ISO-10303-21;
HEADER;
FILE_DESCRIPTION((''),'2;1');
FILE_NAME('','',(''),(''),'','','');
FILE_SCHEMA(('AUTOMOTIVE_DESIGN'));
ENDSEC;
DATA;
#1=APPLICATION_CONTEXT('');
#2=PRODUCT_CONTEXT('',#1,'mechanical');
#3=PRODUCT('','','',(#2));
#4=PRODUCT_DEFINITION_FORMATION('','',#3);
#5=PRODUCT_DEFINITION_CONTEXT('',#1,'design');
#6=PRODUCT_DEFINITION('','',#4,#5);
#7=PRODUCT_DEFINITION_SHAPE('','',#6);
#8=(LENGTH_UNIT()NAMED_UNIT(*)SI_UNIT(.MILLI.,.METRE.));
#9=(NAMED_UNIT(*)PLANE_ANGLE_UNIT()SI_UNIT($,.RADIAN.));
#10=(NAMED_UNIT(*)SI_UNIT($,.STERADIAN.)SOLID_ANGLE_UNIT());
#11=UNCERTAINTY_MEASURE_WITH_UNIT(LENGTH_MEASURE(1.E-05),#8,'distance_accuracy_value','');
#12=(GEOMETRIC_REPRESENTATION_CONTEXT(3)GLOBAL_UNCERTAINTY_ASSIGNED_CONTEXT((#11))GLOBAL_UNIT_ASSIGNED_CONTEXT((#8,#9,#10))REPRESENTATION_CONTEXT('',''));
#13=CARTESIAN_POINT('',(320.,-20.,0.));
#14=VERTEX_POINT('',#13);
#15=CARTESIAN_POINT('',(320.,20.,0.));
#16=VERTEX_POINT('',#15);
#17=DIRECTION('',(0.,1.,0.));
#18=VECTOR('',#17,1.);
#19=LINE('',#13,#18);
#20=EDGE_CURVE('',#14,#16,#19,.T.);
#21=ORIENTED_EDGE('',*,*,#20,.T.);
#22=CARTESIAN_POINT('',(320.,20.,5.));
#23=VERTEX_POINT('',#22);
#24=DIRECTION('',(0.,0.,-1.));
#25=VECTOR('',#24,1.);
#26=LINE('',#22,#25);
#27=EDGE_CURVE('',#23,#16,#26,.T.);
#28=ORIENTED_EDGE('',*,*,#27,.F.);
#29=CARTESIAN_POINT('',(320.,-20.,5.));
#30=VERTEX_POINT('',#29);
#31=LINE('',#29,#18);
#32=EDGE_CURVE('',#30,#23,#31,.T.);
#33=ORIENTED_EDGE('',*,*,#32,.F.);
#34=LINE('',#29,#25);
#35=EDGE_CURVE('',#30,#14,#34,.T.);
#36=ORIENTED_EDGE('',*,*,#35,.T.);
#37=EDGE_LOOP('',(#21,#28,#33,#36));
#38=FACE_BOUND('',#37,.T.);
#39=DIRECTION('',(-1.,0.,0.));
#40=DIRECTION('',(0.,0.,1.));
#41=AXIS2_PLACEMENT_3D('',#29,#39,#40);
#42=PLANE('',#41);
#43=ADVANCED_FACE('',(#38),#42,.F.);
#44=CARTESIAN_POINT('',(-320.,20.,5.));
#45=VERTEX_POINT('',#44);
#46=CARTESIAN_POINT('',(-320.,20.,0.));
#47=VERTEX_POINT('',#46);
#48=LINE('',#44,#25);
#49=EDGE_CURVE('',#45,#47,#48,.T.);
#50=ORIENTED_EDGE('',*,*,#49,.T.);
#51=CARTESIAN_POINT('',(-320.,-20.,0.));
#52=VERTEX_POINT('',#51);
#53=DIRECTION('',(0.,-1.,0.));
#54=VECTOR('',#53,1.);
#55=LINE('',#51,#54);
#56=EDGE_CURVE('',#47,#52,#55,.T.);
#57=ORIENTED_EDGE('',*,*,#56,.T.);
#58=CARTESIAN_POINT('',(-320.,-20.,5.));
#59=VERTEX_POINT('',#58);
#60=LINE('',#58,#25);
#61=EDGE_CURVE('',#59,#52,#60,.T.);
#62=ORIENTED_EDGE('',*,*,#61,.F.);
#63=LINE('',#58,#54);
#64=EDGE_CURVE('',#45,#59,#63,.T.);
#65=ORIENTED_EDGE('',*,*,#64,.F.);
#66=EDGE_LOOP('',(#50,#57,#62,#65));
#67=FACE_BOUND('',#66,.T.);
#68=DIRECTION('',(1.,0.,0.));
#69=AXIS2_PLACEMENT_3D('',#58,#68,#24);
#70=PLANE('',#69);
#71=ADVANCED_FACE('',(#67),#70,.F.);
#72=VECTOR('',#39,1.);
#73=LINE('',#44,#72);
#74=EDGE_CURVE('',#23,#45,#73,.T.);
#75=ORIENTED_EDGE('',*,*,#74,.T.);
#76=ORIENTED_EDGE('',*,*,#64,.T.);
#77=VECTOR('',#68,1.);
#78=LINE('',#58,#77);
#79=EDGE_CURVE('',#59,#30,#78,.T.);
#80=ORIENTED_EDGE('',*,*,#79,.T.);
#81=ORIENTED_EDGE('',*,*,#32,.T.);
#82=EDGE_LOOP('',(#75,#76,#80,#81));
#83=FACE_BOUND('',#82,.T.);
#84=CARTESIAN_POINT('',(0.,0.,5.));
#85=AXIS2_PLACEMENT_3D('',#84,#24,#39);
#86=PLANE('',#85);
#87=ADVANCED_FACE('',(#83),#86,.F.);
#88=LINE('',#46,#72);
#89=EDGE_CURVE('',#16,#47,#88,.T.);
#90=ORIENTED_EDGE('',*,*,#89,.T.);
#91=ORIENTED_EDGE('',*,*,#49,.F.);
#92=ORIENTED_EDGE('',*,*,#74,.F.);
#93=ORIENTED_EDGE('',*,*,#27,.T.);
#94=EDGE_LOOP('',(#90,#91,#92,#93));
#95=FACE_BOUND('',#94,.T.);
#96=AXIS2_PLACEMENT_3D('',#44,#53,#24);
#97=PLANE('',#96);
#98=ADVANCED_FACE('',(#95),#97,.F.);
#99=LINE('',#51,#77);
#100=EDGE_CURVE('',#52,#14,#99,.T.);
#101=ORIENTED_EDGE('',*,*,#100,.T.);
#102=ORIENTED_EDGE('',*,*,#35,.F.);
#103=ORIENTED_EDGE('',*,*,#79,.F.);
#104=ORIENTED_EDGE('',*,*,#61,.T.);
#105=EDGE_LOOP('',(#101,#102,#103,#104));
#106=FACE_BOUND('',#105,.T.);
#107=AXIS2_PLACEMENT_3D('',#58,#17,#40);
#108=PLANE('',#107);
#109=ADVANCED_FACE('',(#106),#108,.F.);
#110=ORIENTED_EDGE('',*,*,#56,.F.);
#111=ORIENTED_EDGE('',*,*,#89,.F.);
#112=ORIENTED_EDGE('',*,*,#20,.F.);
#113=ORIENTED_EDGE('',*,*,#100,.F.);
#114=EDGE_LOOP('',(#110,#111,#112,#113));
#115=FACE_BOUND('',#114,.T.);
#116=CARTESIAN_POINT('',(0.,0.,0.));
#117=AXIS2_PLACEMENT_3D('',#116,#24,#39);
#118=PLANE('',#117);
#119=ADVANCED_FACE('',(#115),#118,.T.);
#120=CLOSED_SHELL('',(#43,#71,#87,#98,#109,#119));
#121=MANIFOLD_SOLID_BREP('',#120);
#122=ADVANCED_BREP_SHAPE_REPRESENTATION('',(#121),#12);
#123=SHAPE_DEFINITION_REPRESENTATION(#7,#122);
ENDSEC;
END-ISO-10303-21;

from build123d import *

# Parameters (mm, degrees)
ESQUISSE1_W        = 640
ESQUISSE1_H        = 40
BOSS_EXTRU_1_DEPTH = 5


with BuildPart() as part:
    # Esquisse1 → Boss.-Extru.1 (new body)
    with BuildSketch(Plane.XY):
        Rectangle(ESQUISSE1_W, ESQUISSE1_H)
    extrude(amount=BOSS_EXTRU_1_DEPTH)


solid = part.part
